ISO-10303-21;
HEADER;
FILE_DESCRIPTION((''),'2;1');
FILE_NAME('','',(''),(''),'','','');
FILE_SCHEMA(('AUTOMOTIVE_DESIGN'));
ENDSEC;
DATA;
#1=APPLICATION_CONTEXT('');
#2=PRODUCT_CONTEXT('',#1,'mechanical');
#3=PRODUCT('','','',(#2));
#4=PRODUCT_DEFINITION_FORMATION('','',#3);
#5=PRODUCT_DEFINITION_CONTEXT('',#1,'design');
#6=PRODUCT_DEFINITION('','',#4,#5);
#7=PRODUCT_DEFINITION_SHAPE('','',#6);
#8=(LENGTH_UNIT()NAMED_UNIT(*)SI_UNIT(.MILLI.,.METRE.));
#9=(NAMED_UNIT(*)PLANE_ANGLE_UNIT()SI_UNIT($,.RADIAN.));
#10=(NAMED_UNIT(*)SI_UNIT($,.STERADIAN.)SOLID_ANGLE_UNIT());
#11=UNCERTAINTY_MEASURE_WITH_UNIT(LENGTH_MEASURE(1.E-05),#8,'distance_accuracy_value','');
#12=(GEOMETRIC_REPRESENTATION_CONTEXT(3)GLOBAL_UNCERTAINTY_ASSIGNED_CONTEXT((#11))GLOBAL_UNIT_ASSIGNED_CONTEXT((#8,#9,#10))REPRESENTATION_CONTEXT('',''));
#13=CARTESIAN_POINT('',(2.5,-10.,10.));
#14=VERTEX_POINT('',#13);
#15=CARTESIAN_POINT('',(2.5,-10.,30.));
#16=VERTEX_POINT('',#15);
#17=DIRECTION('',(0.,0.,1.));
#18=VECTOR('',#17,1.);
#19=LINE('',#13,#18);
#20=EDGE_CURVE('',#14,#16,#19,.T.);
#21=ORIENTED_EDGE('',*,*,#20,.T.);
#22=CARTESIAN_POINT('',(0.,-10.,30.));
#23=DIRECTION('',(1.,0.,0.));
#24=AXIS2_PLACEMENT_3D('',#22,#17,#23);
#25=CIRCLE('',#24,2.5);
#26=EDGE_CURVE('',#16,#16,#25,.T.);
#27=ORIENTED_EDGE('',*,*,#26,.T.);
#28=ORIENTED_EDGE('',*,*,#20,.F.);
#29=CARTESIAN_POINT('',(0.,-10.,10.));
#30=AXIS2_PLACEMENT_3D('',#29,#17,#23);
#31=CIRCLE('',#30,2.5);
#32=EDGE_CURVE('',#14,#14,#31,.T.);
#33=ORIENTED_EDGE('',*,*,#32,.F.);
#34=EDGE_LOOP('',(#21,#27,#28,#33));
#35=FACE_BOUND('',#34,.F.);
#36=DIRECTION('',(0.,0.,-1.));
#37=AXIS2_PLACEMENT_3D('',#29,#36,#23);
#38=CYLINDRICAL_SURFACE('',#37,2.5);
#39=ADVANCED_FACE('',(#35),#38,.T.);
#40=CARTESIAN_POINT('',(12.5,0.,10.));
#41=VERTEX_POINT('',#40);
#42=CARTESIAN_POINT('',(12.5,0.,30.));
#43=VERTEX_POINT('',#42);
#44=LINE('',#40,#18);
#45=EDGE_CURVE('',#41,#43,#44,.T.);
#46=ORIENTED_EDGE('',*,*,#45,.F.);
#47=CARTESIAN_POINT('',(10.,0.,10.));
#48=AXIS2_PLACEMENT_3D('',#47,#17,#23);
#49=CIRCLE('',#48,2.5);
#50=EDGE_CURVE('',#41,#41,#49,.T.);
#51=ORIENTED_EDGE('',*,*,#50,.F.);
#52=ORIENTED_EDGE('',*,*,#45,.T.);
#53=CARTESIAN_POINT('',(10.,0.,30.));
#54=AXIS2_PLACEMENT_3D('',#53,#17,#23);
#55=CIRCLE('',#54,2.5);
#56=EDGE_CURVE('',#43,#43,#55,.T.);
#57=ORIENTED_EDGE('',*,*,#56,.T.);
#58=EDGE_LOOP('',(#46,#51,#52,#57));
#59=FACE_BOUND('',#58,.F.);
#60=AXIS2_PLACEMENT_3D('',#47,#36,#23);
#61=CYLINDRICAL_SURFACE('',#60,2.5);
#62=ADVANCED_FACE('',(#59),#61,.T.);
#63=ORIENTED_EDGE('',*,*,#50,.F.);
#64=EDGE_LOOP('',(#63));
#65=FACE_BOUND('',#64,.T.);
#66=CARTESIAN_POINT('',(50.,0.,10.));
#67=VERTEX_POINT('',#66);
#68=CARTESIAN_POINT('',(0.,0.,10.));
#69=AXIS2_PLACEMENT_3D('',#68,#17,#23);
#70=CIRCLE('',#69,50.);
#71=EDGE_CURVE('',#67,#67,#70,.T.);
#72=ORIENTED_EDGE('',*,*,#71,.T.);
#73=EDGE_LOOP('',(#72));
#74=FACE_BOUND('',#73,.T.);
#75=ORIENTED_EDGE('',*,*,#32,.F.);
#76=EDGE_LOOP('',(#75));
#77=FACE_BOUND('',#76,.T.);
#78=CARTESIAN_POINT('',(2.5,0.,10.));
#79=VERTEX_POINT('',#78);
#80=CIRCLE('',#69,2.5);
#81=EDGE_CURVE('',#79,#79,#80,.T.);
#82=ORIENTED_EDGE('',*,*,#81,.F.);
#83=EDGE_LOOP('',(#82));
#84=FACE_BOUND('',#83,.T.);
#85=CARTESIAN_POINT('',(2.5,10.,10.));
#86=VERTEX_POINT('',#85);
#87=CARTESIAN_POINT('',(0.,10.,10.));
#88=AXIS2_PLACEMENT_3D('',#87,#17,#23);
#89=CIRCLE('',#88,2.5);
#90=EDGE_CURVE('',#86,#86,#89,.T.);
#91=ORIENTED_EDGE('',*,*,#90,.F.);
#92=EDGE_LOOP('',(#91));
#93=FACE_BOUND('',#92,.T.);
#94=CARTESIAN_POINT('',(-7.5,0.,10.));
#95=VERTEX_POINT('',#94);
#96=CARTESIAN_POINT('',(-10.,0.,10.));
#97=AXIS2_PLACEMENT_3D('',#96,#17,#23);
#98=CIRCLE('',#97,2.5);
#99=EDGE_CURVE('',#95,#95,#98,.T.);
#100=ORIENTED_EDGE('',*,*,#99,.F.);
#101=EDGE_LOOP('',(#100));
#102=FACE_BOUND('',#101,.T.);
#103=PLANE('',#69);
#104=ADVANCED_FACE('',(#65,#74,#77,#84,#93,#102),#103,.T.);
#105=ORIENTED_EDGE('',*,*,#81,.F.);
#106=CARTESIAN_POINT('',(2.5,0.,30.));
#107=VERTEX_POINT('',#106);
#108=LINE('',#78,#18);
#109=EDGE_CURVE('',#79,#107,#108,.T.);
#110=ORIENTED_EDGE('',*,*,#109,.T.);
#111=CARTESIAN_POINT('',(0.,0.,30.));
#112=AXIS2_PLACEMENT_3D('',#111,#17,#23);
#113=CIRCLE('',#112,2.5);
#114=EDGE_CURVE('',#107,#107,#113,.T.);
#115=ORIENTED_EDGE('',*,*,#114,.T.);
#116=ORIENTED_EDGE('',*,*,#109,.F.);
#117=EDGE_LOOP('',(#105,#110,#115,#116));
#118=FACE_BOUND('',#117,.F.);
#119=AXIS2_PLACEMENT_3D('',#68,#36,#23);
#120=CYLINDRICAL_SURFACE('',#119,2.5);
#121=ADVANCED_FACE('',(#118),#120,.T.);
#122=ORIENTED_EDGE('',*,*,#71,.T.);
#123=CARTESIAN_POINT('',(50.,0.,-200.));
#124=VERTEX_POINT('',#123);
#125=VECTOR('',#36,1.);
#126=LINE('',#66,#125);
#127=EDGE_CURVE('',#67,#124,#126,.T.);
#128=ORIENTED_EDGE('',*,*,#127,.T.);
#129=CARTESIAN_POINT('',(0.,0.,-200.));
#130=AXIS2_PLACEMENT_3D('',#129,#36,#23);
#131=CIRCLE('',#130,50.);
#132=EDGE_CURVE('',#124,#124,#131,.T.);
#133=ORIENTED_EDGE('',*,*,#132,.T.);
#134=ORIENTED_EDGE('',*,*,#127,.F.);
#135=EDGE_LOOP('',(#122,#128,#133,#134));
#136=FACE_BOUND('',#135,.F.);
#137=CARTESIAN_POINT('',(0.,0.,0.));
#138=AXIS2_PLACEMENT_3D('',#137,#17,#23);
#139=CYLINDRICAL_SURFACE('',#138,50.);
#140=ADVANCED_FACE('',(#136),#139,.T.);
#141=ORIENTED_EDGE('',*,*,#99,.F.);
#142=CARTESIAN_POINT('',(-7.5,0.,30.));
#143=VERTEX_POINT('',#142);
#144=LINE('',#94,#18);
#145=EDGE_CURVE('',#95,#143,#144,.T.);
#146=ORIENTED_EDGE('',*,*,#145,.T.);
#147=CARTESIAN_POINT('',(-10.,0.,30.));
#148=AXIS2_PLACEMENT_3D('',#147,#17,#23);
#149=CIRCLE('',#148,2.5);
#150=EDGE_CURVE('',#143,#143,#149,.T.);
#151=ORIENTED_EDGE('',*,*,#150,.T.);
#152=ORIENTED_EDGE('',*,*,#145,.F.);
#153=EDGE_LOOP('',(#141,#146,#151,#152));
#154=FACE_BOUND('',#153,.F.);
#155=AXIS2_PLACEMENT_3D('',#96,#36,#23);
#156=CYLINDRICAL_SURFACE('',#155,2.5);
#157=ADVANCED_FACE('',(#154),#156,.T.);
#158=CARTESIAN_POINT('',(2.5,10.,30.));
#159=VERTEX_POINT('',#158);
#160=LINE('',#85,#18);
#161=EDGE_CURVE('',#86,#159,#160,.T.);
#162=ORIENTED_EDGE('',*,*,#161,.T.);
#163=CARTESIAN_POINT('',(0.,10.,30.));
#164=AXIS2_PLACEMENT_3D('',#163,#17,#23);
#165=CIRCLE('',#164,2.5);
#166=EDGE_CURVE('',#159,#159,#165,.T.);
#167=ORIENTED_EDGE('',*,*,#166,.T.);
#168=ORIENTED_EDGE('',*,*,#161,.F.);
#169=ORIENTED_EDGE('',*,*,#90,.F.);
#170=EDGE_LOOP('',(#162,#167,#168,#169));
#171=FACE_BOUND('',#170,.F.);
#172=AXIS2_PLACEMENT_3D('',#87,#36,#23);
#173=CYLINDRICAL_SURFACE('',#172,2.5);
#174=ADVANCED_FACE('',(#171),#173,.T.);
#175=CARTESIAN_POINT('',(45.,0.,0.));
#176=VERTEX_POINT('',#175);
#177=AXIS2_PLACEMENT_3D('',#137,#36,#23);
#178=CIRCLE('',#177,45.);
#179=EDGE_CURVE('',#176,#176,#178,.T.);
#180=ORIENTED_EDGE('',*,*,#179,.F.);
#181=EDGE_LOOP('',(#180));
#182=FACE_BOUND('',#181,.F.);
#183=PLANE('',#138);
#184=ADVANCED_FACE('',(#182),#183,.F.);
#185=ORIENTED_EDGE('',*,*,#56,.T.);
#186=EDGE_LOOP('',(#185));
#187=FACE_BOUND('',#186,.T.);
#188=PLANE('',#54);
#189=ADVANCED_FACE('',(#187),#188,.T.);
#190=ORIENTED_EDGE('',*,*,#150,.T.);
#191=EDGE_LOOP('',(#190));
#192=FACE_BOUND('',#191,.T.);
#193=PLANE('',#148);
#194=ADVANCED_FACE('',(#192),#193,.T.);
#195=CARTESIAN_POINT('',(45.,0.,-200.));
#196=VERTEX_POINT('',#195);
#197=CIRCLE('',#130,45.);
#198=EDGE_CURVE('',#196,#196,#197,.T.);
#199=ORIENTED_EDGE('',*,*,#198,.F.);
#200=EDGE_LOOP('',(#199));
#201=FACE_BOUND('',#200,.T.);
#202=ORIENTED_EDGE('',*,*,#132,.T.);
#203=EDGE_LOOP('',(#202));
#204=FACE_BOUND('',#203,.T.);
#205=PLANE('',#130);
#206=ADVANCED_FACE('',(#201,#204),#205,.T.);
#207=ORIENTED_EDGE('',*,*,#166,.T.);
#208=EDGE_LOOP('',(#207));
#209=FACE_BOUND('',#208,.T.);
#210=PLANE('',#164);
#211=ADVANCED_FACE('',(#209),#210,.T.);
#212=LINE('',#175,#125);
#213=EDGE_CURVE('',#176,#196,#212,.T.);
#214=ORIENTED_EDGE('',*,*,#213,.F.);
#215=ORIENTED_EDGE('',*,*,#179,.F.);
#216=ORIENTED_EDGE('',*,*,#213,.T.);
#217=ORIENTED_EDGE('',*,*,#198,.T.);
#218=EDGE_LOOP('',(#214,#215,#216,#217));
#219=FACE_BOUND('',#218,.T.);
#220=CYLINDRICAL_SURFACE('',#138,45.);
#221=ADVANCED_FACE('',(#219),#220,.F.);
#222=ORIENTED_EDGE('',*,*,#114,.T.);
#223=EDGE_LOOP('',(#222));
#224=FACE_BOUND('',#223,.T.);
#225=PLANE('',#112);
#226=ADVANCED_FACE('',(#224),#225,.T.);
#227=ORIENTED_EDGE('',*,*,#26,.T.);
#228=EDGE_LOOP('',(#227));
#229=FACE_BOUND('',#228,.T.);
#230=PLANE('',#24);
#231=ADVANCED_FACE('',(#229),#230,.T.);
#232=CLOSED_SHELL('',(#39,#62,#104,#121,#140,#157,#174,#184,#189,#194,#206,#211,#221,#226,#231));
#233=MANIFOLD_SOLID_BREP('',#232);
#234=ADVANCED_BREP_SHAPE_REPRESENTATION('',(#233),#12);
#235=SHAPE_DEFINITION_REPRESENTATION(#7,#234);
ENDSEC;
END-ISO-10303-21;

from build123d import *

# Parameters (mm, degrees)
F0_R     = 50
F1_DEPTH = 10
F2_R     = 50
F2_R_2   = 45
F3_DEPTH = 200
F4_R     = 2.5
F5_DEPTH = 20


with BuildPart() as f1:
    # F0 (on Top) → F1 (new body)
    with BuildSketch(Plane.XY):
        Circle(F0_R)
    extrude(amount=F1_DEPTH)

    # F2 (on face) → F3 (join)
    with BuildSketch(Plane(origin=(0, 0, 0), x_dir=(1, 0, 0), z_dir=(0, 0, -1))):
        Circle(F2_R)
        Circle(F2_R_2, mode=Mode.SUBTRACT)
    extrude(amount=F3_DEPTH)

    # F4 (on face) → F5 (join)
    with BuildSketch(Plane.XY.offset(10)):
        Circle(F4_R)
        with Locations((-10, 0)):
            Circle(F4_R)
        with Locations((0, 10)):
            Circle(F4_R)
        with Locations((10, 0)):
            Circle(F4_R)
        with Locations((0, -10)):
            Circle(F4_R)
    extrude(amount=F5_DEPTH)


solid = f1.part
